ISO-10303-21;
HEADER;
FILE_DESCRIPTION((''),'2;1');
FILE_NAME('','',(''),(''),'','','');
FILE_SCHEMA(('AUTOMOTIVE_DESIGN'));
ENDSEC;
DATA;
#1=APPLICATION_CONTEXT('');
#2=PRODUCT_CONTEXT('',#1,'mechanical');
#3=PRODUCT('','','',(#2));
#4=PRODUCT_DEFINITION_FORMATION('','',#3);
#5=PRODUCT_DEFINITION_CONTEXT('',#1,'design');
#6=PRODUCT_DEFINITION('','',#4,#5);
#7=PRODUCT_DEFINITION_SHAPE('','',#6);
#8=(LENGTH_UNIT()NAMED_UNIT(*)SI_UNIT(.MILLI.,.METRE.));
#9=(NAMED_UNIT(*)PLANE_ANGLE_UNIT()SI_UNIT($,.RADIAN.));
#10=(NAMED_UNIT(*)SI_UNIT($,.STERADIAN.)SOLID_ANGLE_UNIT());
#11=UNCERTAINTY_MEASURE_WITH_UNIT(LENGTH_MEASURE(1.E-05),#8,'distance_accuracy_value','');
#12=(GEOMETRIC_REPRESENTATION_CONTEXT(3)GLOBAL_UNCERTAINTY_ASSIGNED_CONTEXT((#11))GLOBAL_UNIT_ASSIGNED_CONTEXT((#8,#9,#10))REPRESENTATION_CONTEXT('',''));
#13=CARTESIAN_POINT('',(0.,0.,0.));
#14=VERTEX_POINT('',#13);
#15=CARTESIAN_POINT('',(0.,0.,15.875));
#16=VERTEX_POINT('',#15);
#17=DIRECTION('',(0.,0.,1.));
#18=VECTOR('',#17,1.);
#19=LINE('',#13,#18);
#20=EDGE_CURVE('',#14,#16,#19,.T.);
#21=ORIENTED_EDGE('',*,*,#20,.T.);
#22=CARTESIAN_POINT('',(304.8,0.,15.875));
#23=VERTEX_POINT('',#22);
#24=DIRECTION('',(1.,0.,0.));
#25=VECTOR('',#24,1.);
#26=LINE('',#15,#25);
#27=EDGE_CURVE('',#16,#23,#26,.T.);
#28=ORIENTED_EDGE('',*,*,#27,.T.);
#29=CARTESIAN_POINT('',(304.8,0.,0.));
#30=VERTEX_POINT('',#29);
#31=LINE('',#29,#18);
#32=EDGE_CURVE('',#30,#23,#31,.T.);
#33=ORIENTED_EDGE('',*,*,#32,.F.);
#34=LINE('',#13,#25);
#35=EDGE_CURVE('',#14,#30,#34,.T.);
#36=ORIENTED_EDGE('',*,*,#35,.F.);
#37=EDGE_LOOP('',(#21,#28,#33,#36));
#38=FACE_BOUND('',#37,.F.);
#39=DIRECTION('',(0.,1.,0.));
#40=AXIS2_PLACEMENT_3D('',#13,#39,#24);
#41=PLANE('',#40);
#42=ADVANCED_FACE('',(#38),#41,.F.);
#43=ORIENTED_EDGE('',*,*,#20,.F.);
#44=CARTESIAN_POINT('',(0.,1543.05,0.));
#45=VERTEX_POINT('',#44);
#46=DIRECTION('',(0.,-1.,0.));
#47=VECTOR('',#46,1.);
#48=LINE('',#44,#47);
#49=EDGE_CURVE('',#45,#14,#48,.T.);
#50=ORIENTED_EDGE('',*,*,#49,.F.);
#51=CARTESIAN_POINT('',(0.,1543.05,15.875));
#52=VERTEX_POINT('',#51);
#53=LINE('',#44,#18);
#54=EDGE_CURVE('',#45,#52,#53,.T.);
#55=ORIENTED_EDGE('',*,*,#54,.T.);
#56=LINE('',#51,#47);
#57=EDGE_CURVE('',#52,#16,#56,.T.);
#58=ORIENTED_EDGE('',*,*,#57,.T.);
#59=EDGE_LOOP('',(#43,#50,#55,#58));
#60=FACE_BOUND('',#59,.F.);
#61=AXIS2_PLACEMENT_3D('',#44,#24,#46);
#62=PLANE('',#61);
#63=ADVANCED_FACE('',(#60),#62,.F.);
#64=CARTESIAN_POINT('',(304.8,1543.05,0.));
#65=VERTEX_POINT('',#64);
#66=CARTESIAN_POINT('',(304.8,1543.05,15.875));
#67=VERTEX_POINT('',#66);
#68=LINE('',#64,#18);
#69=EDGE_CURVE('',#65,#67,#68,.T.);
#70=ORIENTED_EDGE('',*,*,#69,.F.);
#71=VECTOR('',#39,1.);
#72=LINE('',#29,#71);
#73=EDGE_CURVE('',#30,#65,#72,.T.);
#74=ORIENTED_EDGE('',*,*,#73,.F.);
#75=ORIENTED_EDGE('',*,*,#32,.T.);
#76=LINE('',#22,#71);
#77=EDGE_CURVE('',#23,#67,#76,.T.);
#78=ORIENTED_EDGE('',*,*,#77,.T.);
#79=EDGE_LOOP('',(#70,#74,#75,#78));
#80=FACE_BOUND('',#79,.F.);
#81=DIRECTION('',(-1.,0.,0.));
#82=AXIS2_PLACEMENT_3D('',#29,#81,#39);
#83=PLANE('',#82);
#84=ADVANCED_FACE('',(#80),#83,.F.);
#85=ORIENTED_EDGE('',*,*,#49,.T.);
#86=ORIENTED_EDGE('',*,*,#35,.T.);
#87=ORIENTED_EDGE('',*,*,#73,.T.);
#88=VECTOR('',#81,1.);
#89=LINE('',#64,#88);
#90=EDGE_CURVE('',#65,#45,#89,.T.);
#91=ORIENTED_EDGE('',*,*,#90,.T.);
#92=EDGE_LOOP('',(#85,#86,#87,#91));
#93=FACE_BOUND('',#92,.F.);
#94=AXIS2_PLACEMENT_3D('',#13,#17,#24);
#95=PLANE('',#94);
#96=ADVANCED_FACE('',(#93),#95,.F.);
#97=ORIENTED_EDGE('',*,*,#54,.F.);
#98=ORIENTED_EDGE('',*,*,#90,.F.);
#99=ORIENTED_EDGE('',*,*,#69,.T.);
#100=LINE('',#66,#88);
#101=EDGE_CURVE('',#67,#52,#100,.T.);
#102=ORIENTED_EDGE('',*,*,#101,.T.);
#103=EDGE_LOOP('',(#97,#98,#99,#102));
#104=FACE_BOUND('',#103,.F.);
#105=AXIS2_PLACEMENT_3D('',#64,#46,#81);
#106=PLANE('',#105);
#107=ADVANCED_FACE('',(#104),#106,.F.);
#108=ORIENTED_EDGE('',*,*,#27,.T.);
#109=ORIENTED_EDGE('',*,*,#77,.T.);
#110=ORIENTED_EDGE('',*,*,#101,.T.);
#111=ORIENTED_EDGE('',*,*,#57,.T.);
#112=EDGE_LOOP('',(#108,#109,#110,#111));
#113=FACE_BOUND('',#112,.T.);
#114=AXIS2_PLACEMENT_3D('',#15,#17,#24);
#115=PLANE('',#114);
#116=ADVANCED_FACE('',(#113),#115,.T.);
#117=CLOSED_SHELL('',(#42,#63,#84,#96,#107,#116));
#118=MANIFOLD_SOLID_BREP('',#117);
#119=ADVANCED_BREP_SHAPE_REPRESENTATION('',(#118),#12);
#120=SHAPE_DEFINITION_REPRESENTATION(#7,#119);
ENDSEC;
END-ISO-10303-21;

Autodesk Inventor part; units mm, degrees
ref_plane "YZ Plane" through (0, 0, 0) normal (1, 0, 0) x (0, 1, 0)
ref_plane "XZ Plane" through (0, 0, 0) normal (0, 1, 0) x (-1, 0, 0)
ref_plane "XY Plane" through (0, 0, 0) normal (0, 0, 1) x (1, 0, 0)
sketch "Sketch1" plane through (0, 0, 0) normal (0, 0, 1) x (1, 0, 0)
  line L0 (0, 0) -> (304.8, 0)
  line L1 (304.8, 0) -> (304.8, 1543.05)
  line L2 (304.8, 1543.05) -> (0, 1543.05)
  line L3 (0, 1543.05) -> (0, 0)
  dimension "d2" = 1543.05
  dimension "d3" = 304.8
extrude "Extrusion1" add sketch "Sketch1" along normal blind 15.875
properties part number "DensGlass_With_Dimensions_60.75_x_12_Inches" material "Wood (Birch)"
